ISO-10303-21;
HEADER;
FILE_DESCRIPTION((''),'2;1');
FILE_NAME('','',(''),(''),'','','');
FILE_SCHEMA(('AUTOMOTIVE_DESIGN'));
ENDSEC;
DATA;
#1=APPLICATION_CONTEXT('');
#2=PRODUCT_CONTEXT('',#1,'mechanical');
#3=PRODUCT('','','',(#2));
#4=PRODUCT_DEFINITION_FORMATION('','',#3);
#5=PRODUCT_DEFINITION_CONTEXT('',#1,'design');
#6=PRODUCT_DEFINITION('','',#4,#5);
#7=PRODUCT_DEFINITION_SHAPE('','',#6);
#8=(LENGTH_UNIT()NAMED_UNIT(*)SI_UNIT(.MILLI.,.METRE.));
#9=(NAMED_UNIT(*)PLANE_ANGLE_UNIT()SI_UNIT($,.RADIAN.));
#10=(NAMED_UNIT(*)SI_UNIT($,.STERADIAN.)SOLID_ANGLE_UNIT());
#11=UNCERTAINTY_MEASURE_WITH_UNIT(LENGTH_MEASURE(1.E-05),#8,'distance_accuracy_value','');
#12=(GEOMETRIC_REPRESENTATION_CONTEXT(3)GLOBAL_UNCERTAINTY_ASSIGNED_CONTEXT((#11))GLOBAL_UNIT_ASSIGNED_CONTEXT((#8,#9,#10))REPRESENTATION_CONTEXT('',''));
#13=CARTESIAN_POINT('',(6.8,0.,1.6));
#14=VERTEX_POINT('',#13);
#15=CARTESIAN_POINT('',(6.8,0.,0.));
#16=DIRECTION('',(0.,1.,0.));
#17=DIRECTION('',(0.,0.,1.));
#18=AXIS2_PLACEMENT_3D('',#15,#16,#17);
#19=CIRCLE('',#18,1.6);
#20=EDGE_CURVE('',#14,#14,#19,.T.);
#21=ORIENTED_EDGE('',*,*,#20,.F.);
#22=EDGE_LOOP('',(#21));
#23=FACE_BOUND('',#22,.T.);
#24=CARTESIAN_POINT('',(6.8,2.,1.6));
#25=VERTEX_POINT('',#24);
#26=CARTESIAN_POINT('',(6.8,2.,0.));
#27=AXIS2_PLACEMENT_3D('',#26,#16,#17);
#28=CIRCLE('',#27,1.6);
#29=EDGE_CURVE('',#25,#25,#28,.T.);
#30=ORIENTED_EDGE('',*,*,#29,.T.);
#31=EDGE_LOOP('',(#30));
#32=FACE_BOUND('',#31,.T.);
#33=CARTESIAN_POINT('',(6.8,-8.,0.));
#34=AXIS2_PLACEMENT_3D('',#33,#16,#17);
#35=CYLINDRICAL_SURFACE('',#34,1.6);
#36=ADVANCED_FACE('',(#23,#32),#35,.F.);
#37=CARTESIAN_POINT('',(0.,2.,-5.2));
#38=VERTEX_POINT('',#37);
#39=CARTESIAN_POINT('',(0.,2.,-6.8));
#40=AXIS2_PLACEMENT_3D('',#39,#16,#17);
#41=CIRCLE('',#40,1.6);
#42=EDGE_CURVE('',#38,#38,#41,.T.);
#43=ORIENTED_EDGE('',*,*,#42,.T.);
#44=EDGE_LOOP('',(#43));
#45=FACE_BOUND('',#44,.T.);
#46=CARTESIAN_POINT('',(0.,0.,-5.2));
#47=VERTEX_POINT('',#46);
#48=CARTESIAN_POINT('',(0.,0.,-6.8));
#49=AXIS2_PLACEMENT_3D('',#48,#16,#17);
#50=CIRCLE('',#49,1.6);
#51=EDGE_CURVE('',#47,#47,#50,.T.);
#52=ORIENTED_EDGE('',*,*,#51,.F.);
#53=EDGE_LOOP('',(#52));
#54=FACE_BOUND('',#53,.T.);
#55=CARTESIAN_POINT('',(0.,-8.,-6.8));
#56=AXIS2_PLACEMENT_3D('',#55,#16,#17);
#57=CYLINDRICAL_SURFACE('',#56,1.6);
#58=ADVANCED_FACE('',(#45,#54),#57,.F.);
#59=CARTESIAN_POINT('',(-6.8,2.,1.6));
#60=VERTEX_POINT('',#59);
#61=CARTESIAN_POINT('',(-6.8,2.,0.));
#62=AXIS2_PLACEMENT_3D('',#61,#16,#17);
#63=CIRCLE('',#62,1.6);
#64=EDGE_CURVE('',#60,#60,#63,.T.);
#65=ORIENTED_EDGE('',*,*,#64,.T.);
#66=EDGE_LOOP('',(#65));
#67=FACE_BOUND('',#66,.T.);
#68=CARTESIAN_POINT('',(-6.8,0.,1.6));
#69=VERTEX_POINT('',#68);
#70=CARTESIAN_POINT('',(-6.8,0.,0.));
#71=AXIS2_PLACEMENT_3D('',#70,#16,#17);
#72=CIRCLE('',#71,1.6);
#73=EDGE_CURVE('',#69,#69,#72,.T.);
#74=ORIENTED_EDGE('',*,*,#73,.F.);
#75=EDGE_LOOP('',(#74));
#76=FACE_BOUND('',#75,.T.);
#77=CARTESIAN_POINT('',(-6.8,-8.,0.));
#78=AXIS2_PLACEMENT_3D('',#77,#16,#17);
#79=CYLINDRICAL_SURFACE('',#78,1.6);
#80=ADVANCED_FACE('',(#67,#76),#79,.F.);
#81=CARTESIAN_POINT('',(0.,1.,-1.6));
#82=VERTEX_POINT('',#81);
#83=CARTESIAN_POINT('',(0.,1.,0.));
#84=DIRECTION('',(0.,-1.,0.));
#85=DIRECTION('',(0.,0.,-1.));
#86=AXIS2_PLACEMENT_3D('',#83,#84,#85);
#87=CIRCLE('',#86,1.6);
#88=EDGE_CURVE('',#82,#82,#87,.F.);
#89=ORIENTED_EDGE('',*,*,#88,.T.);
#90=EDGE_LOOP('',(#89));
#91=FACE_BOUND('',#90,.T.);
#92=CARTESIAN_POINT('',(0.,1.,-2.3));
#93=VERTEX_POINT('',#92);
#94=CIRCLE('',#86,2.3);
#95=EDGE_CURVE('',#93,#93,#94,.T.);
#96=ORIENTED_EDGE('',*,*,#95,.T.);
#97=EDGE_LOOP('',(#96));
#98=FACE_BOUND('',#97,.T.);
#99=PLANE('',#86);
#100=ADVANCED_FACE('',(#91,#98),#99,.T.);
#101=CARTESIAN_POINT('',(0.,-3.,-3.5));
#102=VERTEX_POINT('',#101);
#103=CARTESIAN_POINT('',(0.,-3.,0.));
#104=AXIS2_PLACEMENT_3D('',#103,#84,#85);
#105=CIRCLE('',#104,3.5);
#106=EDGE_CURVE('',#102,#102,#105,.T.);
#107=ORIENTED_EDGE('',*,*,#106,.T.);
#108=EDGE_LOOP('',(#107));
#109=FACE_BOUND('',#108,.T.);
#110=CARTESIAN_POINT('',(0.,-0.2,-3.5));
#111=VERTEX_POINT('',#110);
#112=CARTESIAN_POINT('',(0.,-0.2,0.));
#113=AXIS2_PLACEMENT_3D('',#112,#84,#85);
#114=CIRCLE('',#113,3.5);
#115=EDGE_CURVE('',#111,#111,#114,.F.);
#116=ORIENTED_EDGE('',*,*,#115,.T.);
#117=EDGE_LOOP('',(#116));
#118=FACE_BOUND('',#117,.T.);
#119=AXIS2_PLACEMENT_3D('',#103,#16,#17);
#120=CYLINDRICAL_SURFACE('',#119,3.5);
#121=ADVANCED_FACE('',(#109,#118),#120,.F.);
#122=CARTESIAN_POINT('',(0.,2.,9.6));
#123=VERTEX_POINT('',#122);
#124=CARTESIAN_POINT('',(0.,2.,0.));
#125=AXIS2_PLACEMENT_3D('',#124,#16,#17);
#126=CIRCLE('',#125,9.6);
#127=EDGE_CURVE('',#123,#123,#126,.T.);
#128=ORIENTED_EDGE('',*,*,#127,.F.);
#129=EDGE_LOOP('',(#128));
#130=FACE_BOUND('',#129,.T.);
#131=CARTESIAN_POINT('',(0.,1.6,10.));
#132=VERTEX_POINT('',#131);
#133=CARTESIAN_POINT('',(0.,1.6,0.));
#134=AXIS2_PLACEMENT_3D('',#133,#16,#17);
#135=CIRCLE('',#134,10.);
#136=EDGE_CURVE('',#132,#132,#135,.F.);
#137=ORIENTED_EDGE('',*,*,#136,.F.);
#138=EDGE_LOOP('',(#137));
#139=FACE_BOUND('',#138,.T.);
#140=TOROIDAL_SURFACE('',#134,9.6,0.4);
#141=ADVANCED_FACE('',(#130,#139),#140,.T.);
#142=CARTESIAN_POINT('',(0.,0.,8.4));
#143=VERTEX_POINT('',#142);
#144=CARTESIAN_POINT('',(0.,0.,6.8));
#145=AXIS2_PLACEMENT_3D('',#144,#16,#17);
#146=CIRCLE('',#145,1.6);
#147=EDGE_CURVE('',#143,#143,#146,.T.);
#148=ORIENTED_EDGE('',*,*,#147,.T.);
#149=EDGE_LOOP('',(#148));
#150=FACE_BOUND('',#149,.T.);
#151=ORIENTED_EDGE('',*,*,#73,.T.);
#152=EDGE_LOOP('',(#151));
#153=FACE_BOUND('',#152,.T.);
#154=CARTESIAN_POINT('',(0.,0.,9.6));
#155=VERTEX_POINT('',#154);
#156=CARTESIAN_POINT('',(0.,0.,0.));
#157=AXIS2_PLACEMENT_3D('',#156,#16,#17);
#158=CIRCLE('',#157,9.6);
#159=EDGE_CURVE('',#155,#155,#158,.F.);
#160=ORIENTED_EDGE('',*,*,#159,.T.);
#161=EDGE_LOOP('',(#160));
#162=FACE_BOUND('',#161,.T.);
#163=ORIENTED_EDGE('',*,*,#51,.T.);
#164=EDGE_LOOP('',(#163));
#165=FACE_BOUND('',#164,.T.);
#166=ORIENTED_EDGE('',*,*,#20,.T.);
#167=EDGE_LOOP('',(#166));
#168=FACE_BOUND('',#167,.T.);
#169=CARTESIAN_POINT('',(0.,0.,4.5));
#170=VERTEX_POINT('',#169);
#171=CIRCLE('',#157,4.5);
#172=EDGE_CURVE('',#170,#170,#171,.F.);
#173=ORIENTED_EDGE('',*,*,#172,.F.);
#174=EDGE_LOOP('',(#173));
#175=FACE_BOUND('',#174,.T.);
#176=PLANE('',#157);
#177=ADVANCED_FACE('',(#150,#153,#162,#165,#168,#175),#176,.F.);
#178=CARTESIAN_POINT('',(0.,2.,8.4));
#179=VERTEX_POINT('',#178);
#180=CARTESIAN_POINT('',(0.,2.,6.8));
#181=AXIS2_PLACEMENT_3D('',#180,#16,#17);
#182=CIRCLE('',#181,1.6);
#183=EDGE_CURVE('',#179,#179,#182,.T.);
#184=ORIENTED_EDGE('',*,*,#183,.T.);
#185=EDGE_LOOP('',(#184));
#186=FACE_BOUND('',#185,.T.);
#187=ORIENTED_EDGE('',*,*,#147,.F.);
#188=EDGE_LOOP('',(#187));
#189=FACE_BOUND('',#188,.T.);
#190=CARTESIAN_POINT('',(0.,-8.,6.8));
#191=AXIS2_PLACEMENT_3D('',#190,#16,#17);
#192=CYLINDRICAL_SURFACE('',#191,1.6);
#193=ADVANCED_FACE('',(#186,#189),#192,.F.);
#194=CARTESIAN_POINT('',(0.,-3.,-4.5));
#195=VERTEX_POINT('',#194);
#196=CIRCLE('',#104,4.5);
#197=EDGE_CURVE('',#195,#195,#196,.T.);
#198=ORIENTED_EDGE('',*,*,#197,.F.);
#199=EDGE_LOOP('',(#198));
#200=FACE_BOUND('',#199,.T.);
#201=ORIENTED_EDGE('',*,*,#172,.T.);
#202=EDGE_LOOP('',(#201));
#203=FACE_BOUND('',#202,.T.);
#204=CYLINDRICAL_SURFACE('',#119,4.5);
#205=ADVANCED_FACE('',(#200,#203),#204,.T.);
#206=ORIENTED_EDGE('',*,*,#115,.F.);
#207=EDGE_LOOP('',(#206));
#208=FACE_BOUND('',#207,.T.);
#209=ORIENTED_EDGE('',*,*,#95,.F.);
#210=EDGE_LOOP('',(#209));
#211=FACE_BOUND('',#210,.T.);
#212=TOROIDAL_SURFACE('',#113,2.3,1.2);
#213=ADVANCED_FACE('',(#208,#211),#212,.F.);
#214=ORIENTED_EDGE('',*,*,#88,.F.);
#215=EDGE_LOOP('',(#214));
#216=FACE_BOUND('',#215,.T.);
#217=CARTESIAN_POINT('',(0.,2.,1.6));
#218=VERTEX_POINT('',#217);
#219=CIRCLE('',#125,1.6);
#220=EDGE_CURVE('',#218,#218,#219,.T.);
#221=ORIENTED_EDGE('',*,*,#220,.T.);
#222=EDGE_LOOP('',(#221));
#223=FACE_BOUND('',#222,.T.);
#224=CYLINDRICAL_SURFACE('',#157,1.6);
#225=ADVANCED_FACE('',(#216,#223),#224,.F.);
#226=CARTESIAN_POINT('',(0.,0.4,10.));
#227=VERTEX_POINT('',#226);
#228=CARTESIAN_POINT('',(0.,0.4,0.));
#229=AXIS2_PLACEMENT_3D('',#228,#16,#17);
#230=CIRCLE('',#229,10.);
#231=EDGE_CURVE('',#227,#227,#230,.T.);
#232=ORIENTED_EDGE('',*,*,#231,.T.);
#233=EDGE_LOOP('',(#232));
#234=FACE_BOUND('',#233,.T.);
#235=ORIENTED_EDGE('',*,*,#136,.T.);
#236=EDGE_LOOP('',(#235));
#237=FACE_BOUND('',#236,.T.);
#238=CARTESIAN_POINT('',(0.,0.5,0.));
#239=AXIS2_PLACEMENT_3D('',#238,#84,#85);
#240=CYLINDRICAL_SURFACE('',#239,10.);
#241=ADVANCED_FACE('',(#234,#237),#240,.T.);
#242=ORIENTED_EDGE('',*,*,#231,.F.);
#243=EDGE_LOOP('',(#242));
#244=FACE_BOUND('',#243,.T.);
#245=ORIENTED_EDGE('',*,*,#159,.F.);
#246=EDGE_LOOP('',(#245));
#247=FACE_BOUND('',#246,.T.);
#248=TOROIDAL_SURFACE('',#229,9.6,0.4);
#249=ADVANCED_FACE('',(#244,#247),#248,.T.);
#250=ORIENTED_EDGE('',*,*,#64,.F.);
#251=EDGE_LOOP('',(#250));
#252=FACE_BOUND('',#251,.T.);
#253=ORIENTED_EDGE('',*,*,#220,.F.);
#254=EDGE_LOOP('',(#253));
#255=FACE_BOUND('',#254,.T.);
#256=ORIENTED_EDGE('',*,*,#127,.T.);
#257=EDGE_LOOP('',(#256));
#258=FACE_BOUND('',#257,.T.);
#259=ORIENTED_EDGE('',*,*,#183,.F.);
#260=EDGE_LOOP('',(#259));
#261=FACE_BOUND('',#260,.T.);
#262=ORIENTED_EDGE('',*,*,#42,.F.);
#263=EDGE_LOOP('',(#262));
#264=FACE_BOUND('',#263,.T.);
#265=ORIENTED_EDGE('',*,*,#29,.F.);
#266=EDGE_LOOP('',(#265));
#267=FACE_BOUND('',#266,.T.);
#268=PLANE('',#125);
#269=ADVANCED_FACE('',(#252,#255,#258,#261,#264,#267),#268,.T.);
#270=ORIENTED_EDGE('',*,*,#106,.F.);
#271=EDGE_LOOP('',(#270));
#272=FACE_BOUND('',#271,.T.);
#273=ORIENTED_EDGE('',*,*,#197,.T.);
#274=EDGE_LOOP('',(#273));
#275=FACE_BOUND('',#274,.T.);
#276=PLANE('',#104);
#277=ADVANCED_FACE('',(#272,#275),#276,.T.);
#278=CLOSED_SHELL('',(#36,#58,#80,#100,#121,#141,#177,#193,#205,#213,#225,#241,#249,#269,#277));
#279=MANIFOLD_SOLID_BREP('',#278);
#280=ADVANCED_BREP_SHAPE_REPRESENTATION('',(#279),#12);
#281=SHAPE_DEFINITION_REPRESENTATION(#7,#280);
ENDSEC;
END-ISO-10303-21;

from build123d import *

# Parameters (mm, degrees)
SKETCH1_R           = 10
BOSS_EXTRUDE1_DEPTH = 0.5
SKETCH2_R           = 10
BOSS_EXTRUDE2_DEPTH = 0.5
SKETCH3_R           = 10
BOSS_EXTRUDE3_DEPTH = 1
SKETCH5_R           = 1.6
CUT_EXTRUDE2_DEPTH  = 3
SKETCH8_R           = 1.6
CUT_EXTRUDE4_DEPTH  = 10
FILLET1_R           = 0.4
SKETCH9_R           = 4.5
SKETCH9_R_2         = 3.5
BOSS_EXTRUDE4_DEPTH = 3
SKETCH10_R          = 3.5
CUT_EXTRUDE5_DEPTH  = 1
FILLET3_R           = 1.2


with BuildPart() as part:
    # Sketch1 → Boss-Extrude1 (new body)
    with BuildSketch(Plane(origin=(0, 0, 0), x_dir=(1, 0, 0), z_dir=(0, 1, 0))):
        Circle(SKETCH1_R)
    extrude(amount=BOSS_EXTRUDE1_DEPTH)

    # Sketch2 → Boss-Extrude2 (add)
    with BuildSketch(Plane(origin=(0, 0.5, 0), x_dir=(1, 0, 0), z_dir=(0, 1, 0))):
        Circle(SKETCH2_R)
    extrude(amount=BOSS_EXTRUDE2_DEPTH)

    # Sketch3 → Boss-Extrude3 (add)
    with BuildSketch(Plane(origin=(0, 1, 0), x_dir=(1, 0, 0), z_dir=(0, 1, 0))):
        Circle(SKETCH3_R)
    extrude(amount=BOSS_EXTRUDE3_DEPTH)

    # Sketch5 → Cut-Extrude2 (cut, through all)
    with BuildSketch(Plane(origin=(0, 2, 0), x_dir=(1, 0, 0), z_dir=(0, 1, 0))):
        Circle(SKETCH5_R)
    extrude(amount=-CUT_EXTRUDE2_DEPTH, mode=Mode.SUBTRACT)

    # Sketch8 → Cut-Extrude4 (cut)
    with BuildSketch(Plane(origin=(0, 2, 0), x_dir=(1, 0, 0), z_dir=(0, 1, 0))):
        with Locations((-6.8, 0)):
            Circle(SKETCH8_R)
        with Locations((6.8, 0)):
            Circle(SKETCH8_R)
        with Locations((0, 6.8)):
            Circle(SKETCH8_R)
        with Locations((0, -6.8)):
            Circle(SKETCH8_R)
    extrude(amount=-CUT_EXTRUDE4_DEPTH, mode=Mode.SUBTRACT)

    # Fillet1
    fillet1_edges = [part.edges().sort_by_distance(p)[0] for p in [
        (-10, 0, 0),
        (-10, 2, 0),
    ]]
    fillet(fillet1_edges, radius=FILLET1_R)

    # Sketch9 → Boss-Extrude4 (add)
    with BuildSketch(Plane.XZ):
        Circle(SKETCH9_R)
        Circle(SKETCH9_R_2, mode=Mode.SUBTRACT)
    extrude(amount=BOSS_EXTRUDE4_DEPTH)

    # Sketch10 → Cut-Extrude5 (cut)
    with BuildSketch(Plane.XZ):
        Circle(SKETCH10_R)
    extrude(amount=-CUT_EXTRUDE5_DEPTH, mode=Mode.SUBTRACT)

    # Fillet3
    fillet3_edges = [part.edges().sort_by_distance(p)[0] for p in [
        (-3.5, 1, 0),
    ]]
    fillet(fillet3_edges, radius=FILLET3_R)


solid = part.part
